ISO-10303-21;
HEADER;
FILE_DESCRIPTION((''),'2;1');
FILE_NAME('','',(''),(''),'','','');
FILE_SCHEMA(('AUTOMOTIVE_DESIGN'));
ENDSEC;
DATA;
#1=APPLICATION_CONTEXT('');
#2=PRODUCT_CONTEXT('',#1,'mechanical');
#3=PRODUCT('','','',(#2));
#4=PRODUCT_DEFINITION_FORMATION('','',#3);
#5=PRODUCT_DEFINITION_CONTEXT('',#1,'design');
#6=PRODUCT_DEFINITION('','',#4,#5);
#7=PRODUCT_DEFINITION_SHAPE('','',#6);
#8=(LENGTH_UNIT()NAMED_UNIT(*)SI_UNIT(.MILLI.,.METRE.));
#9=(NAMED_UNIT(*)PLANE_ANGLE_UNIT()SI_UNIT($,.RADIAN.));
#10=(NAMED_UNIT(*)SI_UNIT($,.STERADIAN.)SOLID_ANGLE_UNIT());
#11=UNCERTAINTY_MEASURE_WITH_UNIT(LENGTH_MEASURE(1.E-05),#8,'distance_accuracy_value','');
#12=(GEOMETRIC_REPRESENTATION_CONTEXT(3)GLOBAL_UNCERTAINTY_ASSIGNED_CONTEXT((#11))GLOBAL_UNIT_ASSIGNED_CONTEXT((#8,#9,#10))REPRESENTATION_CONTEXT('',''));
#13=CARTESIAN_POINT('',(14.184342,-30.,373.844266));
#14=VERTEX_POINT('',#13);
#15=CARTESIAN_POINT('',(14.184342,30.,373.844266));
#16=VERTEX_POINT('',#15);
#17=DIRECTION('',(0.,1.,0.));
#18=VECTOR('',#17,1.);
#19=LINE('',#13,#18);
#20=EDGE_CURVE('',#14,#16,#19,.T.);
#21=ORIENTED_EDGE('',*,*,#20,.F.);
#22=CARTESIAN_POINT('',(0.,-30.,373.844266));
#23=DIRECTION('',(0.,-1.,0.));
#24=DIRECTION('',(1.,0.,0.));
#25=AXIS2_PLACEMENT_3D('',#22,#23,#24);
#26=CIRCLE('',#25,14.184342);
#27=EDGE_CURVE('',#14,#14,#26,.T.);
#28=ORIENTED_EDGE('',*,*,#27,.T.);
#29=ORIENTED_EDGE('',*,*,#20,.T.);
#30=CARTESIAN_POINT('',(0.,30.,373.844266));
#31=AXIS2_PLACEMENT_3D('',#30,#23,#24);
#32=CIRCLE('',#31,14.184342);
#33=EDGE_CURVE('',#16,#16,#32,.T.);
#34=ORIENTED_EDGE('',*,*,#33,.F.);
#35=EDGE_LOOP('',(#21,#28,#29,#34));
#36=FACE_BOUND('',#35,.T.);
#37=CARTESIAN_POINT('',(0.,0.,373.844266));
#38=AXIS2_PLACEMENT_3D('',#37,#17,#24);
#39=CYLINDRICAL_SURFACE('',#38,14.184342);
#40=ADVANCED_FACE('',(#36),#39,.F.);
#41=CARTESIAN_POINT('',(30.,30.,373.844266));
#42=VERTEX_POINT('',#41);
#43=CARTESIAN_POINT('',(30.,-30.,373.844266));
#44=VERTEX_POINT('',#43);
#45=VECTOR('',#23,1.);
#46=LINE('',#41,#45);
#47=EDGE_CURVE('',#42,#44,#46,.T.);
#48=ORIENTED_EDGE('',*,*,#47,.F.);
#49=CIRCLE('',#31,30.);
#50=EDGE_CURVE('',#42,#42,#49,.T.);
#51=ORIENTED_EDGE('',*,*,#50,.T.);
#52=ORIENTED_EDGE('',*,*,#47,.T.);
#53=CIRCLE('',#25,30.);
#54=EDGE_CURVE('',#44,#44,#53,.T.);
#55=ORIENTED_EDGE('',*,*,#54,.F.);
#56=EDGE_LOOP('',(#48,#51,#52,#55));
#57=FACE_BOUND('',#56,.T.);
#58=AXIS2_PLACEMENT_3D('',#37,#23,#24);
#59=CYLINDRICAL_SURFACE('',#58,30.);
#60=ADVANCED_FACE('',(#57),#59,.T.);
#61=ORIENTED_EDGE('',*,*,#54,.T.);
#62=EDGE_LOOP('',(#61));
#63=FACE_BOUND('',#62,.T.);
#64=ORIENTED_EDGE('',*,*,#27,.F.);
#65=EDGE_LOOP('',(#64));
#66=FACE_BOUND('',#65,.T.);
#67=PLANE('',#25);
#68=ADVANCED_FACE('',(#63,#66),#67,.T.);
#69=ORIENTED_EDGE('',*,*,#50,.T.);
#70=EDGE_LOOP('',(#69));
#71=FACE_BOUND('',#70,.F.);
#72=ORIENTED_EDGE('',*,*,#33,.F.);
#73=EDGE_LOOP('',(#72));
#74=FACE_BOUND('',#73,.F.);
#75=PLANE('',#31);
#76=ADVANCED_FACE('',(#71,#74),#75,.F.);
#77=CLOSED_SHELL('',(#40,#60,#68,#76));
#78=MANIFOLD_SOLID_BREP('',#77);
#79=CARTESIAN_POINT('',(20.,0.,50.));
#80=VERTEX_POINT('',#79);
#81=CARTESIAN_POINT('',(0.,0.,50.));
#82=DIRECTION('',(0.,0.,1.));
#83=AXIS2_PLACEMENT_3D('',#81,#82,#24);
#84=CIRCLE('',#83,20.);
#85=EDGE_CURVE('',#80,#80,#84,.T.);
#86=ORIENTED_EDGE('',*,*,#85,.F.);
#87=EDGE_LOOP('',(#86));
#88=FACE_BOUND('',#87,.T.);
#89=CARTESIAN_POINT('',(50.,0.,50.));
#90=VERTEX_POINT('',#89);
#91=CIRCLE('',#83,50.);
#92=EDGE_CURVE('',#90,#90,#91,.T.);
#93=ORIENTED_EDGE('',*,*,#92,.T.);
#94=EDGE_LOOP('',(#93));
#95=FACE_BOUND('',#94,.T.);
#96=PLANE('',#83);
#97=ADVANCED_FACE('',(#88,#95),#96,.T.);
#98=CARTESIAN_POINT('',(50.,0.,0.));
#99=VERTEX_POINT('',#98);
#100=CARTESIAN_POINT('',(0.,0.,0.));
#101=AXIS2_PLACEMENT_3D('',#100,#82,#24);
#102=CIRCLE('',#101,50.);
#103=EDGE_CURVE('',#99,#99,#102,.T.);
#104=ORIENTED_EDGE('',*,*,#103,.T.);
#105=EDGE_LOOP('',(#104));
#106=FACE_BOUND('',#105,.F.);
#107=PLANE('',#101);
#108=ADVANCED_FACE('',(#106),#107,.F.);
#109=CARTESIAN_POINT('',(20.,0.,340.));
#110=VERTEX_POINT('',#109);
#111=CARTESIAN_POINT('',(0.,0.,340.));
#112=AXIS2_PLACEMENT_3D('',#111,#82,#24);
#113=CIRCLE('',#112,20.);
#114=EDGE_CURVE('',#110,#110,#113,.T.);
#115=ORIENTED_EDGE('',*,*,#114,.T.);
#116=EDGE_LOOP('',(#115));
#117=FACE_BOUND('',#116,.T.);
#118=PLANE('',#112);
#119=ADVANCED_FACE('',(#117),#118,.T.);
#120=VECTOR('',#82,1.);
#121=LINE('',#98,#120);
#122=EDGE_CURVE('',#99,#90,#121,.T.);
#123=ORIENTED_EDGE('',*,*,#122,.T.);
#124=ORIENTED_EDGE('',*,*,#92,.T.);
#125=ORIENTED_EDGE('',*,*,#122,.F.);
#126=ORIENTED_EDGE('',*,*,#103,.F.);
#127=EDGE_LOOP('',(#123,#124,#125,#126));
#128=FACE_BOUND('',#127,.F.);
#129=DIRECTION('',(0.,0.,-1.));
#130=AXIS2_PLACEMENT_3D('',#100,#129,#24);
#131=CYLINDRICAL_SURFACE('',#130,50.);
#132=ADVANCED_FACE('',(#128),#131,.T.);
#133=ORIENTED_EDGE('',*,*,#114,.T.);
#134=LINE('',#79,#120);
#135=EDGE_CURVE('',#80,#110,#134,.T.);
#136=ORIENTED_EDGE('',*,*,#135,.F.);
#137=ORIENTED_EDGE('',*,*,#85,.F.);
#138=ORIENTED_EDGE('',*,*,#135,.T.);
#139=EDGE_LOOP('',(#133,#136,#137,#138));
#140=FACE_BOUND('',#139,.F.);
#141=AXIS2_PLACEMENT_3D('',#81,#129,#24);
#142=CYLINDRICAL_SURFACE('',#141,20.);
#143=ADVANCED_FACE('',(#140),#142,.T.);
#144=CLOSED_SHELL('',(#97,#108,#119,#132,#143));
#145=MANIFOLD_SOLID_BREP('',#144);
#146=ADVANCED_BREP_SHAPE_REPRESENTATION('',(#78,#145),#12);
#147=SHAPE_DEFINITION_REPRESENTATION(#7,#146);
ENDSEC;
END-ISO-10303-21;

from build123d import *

# Parameters (mm, degrees)
F0_R     = 50
F1_DEPTH = 50
F2_R     = 20
F3_DEPTH = 290
F4_R     = 30
F4_R_2   = 14.184342
F5_DEPTH = 30


with BuildPart() as f1:
    # F0 (on Top) → F1 (new body)
    with BuildSketch(Plane.XY):
        Circle(F0_R)
    extrude(amount=F1_DEPTH)

    # F2 (on face) → F3 (join)
    with BuildSketch(Plane.XY.offset(50)):
        Circle(F2_R)
    extrude(amount=F3_DEPTH)


with BuildPart() as f5:
    # F4 (on Front) → F5 (new body, symmetric)
    with BuildSketch(Plane.XZ):
        with Locations((0, 373.844266)):
            Circle(F4_R)
        with Locations((0, 373.844266)):
            Circle(F4_R_2, mode=Mode.SUBTRACT)
    extrude(amount=F5_DEPTH, both=True)


solid = Compound([f1.part, f5.part])
